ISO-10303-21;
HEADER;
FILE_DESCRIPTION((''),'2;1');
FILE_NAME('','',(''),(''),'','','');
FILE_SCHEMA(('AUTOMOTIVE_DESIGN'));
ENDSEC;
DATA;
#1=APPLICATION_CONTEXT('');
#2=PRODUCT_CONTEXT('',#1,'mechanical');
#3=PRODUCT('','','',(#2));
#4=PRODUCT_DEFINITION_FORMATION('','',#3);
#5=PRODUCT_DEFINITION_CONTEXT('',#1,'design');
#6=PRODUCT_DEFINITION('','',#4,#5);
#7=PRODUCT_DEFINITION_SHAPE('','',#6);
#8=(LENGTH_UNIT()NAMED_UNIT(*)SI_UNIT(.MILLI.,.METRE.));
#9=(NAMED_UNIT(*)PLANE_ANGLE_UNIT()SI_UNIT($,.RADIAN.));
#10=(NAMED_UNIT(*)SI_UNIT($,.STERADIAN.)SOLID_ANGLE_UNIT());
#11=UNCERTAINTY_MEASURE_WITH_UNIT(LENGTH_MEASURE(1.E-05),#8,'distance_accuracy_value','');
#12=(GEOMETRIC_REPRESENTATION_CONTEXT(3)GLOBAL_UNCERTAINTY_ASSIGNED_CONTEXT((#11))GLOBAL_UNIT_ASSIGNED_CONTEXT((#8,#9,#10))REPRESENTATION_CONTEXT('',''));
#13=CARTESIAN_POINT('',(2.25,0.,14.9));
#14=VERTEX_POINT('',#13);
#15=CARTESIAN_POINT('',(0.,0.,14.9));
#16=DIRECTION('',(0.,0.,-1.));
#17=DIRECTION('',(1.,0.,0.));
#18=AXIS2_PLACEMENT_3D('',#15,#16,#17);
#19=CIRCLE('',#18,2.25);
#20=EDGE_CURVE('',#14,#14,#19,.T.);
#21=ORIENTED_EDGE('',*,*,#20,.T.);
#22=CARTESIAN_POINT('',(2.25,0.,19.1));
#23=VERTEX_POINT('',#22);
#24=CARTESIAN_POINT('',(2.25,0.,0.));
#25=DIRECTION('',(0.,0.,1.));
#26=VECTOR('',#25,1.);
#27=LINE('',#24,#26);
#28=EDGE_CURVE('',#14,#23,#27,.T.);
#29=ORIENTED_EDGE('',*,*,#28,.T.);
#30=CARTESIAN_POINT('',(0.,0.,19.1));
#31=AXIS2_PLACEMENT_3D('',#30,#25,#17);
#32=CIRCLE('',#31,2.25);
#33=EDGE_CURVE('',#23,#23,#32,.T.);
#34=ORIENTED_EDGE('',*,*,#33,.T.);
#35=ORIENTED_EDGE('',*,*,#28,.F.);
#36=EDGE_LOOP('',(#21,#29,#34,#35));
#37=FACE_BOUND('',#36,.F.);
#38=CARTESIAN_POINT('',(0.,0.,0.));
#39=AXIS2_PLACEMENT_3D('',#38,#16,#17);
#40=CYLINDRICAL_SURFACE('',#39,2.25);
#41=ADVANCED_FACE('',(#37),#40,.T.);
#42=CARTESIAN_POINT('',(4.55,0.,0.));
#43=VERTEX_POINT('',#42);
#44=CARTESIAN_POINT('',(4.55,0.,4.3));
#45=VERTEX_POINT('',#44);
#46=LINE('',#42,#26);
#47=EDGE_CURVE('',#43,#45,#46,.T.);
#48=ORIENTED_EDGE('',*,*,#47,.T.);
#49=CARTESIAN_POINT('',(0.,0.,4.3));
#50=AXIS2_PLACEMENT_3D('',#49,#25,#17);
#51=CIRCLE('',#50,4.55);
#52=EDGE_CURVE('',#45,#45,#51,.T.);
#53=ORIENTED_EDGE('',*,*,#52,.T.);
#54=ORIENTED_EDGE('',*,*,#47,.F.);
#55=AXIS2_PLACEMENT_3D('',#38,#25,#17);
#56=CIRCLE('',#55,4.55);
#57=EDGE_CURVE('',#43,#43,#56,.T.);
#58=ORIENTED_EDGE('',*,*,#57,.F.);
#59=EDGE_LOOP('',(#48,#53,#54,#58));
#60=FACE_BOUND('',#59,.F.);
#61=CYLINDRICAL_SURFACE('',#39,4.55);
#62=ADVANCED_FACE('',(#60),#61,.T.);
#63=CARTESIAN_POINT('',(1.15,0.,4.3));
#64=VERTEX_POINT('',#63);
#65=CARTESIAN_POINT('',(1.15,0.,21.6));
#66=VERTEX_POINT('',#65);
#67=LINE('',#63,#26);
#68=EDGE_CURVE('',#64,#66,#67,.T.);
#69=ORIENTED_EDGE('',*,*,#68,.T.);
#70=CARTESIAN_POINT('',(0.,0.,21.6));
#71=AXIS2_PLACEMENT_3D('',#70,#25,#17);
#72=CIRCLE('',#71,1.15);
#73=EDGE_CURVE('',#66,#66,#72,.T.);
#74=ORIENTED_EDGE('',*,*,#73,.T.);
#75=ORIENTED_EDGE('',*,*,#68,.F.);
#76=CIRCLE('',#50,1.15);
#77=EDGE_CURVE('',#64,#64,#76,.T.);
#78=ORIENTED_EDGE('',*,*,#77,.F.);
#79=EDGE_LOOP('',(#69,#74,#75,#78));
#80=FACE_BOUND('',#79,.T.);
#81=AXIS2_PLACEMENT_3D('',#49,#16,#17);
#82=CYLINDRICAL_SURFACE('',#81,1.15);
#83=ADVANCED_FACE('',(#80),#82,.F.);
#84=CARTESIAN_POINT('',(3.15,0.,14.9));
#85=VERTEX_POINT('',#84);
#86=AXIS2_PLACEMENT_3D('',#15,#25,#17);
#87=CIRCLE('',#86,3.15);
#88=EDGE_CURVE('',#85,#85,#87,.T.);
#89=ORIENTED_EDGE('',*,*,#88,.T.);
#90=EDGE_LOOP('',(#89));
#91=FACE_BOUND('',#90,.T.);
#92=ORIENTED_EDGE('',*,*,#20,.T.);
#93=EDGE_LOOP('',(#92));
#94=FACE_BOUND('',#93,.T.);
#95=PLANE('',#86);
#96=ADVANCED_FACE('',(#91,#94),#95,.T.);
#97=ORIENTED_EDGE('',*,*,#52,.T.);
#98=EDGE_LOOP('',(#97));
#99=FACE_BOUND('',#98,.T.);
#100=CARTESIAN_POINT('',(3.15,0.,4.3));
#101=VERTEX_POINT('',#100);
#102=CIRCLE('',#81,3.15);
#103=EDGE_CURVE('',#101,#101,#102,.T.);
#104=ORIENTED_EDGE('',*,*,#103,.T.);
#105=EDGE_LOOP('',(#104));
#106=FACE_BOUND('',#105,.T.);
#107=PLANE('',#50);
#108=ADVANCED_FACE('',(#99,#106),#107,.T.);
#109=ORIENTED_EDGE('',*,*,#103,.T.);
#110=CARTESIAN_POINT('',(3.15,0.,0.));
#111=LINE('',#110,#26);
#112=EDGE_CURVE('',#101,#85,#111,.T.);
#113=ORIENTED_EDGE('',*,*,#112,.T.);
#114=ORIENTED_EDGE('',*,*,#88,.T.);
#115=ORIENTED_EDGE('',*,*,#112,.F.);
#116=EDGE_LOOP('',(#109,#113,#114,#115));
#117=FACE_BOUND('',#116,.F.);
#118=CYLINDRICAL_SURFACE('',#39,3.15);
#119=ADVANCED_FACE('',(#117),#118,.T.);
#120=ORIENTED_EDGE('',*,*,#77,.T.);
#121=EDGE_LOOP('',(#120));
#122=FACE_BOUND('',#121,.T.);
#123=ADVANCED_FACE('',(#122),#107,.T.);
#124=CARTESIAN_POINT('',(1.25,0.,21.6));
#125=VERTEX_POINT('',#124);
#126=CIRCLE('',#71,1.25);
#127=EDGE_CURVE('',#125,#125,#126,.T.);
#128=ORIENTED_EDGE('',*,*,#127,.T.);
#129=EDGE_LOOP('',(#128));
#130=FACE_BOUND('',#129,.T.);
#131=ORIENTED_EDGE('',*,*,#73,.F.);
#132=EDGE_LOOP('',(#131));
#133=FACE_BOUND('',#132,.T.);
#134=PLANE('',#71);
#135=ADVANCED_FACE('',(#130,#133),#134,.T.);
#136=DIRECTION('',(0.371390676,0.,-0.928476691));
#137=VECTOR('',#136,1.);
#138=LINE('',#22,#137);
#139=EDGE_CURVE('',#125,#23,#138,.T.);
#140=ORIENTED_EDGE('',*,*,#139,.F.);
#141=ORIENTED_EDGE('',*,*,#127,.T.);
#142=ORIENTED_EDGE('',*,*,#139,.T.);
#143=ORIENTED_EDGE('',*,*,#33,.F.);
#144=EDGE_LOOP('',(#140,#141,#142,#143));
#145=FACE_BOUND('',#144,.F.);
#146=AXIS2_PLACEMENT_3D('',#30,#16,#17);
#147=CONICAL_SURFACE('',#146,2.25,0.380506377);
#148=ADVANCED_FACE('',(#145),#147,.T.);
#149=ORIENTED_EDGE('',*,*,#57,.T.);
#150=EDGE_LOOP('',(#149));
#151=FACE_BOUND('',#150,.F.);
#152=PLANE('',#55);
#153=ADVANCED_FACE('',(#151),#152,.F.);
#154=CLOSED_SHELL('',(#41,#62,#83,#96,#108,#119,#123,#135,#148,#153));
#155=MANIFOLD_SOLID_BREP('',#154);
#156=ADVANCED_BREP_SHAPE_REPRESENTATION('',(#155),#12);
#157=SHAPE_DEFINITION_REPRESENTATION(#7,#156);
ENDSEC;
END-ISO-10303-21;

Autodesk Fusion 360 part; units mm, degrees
sketch "Sketch1" plane through (0, 0, 0) normal (0, 0, 1) x (1, 0, 0)
  circle A0 centre (0, 0) radius 2.25
  circle A1 centre (0, 0) radius 3.15
  circle A2 centre (0, 0) radius 4.55
  circle A3 centre (0, 0) radius 1.15
  dimension "d1" = 9.1
  dimension "d2" = 6.3
  dimension "d3" = 4.5
  dimension "d4" = 2.3
extrude "Extrude1" add sketch "Sketch1" along normal blind 4.3 contours A0 | A1 | A2 | A3
extrude "Extrude2" add sketch "Sketch1" along normal blind 14.9 contours A0 | A1 | A3
extrude "Extrude3" add sketch "Sketch1" along normal blind 21.6 contours A0 | A3
extrude "Extrude4" cut sketch "Sketch1" along normal up to surface (17.3 mm away) from surface at 4.3 contours A3
chamfer "Chamfer1" distance 1 distance2 2.5 1 edges at (-2.0977, -0.8136, 21.6) measured on face at (1.875, -0.1118, 21.6)
